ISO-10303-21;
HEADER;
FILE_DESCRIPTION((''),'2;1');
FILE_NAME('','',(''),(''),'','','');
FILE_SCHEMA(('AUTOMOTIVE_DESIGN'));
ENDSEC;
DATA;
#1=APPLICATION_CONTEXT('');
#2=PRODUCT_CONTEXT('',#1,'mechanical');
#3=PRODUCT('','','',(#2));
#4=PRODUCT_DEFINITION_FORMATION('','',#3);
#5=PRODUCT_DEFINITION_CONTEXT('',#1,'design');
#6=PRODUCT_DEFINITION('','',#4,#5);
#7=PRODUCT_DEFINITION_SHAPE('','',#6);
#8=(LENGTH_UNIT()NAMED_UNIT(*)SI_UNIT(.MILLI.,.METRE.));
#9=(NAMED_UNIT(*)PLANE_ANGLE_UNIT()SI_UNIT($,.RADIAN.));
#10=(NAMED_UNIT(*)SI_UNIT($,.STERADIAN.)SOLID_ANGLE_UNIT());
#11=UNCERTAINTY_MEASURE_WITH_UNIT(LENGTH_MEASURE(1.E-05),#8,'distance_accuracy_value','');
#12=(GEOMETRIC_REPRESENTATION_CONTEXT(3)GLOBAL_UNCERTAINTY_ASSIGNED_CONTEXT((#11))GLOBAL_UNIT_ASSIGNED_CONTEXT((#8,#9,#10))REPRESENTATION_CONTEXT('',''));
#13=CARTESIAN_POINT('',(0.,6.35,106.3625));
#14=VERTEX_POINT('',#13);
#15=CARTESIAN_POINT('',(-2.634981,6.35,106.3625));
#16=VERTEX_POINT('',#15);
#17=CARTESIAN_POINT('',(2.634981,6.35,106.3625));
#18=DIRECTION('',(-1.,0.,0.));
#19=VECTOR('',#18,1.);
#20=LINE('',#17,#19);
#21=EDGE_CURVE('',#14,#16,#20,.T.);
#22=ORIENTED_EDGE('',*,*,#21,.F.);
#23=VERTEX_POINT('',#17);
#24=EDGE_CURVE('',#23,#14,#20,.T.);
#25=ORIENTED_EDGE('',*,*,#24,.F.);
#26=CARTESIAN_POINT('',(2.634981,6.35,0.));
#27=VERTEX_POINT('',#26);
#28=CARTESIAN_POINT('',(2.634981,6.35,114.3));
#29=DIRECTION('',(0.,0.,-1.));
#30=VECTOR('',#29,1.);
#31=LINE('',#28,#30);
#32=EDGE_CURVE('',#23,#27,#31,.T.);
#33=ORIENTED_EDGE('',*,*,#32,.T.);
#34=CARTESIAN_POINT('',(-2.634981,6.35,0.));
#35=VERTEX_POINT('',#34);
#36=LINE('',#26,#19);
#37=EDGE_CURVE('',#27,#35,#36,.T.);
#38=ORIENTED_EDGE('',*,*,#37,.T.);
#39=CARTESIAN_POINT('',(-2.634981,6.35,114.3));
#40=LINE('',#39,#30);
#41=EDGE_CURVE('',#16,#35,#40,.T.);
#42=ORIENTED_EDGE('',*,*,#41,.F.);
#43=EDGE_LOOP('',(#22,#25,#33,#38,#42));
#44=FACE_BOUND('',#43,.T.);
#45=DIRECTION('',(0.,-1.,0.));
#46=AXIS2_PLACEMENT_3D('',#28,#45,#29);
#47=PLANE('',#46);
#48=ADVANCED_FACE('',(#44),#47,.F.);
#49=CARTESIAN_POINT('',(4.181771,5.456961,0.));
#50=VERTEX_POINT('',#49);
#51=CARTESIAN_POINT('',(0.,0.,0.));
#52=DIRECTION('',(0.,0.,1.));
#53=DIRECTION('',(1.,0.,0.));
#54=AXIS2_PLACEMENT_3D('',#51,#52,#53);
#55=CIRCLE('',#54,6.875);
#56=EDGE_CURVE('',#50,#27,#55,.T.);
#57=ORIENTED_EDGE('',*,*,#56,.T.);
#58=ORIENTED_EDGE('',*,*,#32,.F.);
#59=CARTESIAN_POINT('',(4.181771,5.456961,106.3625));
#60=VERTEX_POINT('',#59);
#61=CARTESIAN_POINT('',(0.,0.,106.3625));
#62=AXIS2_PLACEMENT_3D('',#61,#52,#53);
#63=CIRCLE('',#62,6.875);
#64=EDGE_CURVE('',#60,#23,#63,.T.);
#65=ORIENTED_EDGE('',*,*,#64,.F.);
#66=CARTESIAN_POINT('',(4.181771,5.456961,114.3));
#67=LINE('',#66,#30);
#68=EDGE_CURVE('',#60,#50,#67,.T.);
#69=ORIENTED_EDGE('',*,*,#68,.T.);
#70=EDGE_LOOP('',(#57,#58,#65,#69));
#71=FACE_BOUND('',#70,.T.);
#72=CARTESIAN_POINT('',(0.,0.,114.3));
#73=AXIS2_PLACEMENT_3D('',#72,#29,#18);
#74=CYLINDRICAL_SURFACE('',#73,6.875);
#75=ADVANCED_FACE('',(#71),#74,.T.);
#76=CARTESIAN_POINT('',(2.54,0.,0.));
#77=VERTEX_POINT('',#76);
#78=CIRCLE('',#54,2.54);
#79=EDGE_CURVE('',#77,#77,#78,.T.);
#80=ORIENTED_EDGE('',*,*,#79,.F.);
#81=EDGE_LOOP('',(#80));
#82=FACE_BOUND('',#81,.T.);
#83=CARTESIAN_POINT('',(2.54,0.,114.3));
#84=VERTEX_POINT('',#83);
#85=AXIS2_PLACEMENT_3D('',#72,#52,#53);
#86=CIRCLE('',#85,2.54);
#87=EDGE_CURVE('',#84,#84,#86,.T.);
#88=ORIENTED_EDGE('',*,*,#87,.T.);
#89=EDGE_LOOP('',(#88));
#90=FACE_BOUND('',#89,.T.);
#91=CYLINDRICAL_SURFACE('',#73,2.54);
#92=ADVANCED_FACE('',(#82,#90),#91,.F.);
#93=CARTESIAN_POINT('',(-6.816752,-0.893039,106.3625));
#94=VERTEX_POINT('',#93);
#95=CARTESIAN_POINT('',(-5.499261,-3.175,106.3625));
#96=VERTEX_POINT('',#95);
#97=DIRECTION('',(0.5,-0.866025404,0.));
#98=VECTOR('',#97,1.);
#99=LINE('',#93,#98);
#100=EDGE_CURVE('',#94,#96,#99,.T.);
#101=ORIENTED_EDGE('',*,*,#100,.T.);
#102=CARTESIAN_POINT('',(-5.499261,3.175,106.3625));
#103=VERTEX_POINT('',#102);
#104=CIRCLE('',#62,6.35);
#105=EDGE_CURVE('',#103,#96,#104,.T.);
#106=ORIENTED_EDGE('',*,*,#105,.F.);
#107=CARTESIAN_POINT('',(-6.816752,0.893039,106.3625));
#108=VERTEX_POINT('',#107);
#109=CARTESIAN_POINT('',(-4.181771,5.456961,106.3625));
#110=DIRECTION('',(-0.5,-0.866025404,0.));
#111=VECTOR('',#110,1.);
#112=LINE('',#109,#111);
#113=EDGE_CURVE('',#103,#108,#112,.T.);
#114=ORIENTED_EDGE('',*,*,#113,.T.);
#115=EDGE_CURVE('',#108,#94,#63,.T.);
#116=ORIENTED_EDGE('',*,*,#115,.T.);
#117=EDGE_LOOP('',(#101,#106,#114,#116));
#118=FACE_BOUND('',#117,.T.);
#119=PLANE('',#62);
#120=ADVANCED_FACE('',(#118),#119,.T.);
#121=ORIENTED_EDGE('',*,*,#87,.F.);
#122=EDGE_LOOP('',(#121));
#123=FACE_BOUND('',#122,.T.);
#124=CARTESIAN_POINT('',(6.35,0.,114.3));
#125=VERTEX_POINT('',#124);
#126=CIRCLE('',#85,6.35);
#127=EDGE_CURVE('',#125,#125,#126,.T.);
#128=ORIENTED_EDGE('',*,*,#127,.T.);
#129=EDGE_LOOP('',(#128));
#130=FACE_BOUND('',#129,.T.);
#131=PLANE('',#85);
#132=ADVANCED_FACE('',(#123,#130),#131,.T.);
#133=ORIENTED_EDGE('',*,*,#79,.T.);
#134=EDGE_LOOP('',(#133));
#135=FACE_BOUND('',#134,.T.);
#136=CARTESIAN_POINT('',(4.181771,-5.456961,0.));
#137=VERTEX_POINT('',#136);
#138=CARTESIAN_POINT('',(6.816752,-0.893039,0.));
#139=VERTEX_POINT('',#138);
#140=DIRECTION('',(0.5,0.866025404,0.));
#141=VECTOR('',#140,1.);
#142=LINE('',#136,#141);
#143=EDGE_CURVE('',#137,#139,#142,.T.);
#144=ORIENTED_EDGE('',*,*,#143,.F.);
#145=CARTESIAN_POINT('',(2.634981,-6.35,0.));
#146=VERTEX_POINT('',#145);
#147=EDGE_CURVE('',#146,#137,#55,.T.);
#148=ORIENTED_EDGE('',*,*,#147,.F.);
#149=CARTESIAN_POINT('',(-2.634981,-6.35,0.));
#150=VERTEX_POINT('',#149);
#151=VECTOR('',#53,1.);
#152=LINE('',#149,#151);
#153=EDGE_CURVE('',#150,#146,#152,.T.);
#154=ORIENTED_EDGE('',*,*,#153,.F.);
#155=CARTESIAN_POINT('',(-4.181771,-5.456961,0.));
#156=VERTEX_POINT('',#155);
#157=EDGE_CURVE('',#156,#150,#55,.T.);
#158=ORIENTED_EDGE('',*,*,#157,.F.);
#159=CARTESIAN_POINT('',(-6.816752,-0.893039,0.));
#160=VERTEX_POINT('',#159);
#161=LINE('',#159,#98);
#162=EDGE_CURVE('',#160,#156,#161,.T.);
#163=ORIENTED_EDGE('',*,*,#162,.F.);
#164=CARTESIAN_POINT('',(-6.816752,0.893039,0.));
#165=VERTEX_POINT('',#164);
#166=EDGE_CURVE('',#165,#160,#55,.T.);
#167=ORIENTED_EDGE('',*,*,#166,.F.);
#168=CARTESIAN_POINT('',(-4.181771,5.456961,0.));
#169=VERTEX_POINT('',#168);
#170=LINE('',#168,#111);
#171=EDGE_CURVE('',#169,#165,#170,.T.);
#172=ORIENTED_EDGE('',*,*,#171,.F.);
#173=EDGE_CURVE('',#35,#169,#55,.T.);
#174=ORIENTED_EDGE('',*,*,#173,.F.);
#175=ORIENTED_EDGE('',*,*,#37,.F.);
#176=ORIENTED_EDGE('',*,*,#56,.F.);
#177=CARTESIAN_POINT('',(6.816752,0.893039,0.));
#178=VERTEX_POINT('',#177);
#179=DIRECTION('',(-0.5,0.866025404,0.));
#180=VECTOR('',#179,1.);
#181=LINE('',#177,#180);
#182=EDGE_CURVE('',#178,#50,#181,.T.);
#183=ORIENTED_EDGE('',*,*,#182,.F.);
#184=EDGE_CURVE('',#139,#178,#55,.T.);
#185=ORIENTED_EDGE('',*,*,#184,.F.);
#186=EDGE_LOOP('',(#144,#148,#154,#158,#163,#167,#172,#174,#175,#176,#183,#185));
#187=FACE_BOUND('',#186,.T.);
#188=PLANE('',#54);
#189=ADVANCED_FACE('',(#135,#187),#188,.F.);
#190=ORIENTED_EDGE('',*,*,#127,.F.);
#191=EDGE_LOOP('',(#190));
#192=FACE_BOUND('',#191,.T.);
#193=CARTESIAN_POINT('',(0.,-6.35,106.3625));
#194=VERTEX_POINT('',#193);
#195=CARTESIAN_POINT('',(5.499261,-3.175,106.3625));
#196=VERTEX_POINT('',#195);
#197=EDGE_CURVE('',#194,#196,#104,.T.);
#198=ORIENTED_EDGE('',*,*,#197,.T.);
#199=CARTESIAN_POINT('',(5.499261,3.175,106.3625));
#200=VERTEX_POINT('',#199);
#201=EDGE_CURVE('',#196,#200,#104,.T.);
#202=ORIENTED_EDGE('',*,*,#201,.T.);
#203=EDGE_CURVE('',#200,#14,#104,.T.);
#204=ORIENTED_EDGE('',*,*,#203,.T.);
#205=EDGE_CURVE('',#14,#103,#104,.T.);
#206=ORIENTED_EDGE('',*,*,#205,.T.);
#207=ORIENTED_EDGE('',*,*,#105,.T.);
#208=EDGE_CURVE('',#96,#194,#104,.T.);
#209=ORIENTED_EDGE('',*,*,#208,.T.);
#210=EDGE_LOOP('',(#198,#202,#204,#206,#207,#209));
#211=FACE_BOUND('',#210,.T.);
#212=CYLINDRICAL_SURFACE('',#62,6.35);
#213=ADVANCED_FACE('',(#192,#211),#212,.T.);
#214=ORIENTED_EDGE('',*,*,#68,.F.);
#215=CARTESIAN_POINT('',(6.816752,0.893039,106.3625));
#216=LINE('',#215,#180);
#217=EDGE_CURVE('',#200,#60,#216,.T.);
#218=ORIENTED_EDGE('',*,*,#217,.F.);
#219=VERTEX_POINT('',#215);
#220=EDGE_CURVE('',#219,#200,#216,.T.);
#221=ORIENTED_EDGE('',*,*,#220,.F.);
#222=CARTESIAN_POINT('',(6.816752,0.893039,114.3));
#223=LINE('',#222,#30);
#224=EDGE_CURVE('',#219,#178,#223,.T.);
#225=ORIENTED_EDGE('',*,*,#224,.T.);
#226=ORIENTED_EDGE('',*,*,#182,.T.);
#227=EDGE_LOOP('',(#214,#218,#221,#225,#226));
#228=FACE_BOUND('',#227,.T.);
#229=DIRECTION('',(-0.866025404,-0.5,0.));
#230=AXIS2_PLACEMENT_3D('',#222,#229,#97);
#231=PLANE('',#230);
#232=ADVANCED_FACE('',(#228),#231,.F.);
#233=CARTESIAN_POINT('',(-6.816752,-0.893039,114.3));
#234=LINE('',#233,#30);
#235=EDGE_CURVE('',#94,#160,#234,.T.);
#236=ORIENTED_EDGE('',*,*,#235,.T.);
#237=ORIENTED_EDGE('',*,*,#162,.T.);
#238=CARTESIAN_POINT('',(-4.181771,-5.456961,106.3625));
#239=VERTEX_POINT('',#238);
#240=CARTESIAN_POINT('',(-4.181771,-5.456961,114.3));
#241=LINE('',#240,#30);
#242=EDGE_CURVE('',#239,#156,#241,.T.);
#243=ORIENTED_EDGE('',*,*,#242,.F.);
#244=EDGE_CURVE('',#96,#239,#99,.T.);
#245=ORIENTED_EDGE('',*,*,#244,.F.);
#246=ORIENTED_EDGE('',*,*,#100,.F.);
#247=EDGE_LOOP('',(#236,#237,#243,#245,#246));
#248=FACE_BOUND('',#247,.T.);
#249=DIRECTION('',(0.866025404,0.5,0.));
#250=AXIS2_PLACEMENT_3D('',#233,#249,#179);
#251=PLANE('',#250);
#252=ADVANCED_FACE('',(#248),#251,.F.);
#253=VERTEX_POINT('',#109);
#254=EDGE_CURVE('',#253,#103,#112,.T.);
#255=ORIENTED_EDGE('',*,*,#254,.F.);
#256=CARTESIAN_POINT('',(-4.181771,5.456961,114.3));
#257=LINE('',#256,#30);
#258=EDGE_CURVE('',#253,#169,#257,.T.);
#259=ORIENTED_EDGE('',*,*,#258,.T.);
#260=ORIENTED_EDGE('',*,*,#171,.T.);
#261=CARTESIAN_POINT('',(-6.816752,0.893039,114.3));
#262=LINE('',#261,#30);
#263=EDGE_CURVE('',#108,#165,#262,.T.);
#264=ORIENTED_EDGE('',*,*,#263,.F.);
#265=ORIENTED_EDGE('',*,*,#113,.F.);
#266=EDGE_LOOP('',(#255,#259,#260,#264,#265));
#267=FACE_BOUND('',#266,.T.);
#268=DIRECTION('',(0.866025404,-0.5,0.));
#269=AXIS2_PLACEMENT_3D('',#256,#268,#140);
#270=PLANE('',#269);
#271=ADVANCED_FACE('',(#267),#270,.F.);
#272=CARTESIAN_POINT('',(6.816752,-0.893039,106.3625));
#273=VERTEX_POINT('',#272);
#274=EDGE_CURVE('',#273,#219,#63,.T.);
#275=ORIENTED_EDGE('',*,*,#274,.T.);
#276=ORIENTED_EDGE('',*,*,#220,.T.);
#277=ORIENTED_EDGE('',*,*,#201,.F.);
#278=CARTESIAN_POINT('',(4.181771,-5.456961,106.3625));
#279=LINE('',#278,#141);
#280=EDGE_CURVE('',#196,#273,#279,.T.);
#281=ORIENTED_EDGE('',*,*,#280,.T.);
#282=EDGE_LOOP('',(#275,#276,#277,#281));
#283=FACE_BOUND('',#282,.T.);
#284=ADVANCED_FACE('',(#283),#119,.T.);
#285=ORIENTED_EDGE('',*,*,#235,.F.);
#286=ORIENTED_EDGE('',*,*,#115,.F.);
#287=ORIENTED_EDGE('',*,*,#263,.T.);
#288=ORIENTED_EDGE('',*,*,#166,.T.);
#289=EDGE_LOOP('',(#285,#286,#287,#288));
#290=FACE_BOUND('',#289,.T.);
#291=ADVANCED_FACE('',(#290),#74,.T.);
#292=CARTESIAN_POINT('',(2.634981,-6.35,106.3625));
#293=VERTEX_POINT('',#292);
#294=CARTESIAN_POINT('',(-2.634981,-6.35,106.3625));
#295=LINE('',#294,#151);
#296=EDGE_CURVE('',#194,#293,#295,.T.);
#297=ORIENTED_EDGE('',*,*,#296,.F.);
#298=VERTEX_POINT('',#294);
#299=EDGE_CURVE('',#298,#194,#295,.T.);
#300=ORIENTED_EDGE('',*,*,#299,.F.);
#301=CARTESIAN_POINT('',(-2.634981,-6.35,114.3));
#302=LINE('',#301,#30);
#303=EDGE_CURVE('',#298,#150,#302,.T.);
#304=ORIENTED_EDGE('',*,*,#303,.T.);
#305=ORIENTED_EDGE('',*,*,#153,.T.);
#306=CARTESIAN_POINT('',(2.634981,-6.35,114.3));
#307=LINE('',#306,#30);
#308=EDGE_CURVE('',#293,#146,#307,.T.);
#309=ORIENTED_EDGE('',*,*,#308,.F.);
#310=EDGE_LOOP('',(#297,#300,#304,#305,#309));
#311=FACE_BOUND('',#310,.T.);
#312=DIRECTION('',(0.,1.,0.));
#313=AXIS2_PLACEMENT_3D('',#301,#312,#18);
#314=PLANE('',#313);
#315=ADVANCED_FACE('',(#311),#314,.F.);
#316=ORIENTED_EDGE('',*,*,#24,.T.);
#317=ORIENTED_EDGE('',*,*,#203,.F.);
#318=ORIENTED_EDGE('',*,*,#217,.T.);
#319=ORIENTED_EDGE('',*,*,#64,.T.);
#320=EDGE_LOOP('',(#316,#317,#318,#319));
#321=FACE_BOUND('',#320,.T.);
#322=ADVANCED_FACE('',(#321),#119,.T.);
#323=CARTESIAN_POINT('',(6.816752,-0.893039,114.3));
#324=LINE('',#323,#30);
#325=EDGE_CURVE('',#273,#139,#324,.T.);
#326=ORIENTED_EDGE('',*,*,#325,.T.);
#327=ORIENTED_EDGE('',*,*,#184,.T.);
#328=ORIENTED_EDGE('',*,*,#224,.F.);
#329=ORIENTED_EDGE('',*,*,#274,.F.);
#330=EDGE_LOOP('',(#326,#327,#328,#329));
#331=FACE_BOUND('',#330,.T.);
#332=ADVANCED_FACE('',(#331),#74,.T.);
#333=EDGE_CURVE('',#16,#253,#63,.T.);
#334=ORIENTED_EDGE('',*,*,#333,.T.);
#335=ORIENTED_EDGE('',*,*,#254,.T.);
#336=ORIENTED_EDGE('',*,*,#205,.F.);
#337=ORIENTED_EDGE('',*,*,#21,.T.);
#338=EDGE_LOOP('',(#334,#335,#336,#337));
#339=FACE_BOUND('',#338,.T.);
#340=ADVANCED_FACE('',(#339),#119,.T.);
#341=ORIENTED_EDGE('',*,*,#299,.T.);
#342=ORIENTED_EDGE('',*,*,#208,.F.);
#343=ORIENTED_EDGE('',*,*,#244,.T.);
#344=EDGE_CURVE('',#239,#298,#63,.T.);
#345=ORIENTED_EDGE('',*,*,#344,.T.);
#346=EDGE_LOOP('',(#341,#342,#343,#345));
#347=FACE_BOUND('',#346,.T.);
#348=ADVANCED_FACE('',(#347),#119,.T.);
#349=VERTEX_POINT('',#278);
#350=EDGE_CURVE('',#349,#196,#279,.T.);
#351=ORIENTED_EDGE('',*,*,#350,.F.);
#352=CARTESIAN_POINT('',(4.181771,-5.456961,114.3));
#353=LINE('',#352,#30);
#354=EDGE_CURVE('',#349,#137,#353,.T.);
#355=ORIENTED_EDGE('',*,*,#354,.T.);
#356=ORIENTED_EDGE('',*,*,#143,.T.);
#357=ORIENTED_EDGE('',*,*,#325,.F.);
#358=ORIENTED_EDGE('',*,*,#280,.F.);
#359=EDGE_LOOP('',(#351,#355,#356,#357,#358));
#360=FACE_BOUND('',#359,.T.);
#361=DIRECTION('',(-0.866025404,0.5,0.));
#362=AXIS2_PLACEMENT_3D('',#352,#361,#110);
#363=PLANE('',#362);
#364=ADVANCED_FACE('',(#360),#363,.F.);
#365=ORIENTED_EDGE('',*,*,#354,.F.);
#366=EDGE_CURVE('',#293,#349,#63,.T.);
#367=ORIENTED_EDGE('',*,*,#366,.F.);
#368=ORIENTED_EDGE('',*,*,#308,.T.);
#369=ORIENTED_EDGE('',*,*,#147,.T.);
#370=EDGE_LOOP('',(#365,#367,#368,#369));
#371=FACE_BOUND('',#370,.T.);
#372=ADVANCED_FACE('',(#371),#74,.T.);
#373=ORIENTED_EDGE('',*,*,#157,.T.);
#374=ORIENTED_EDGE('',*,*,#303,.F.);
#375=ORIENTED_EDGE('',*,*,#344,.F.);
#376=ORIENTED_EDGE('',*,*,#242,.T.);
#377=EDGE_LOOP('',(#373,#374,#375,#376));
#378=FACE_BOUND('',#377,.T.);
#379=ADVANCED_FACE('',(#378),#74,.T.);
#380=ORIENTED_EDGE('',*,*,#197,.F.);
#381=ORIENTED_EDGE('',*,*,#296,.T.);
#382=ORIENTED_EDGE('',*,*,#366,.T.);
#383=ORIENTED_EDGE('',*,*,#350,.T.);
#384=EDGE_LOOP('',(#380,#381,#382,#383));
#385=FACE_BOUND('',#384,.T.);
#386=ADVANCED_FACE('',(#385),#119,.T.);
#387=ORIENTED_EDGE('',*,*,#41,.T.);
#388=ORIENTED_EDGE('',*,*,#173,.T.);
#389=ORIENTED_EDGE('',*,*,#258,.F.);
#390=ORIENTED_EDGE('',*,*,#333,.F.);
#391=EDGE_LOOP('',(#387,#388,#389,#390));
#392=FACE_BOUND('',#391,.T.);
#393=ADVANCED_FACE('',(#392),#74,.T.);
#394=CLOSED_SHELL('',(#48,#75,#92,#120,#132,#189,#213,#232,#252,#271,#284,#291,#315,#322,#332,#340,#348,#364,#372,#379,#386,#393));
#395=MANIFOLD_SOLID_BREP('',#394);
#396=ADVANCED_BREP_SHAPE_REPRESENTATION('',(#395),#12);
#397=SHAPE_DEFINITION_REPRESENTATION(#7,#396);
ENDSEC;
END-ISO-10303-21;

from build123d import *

# Parameters (mm, degrees)
SKETCH1_R           = 2.54
BOSS_EXTRUDE1_DEPTH = 114.3
SKETCH2_OUTSIDE_W   = 38.914
SKETCH2_OUTSIDE_H   = 37.864
SKETCH2_OUTSIDE_R   = 6.35
CUT_EXTRUDE1_DEPTH  = 7.9375


with BuildPart() as part:
    # Sketch1 → Boss-Extrude1 (new body)
    with BuildSketch(Plane.XY):
        with BuildLine():
            Line((4.181770802, -5.456960506), (6.816751826, -0.893039494))
            ThreePointArc((6.816751826, -0.893039494), (6.875, 0), (6.816751826, 0.893039494))
            Line((6.816751826, 0.893039494), (4.181770802, 5.456960506))
            ThreePointArc((4.181770802, 5.456960506), (3.4375, 5.953924651), (2.634981025, 6.35))
            Line((2.634981025, 6.35), (-2.634981025, 6.35))
            ThreePointArc((-2.634981025, 6.35), (-3.4375, 5.953924651), (-4.181770802, 5.456960506))
            Line((-4.181770802, 5.456960506), (-6.816751826, 0.893039494))
            ThreePointArc((-6.816751826, 0.893039494), (-6.875, 0), (-6.816751826, -0.893039494))
            Line((-6.816751826, -0.893039494), (-4.181770802, -5.456960506))
            ThreePointArc((-4.181770802, -5.456960506), (-3.4375, -5.953924651), (-2.634981025, -6.35))
            Line((-2.634981025, -6.35), (2.634981025, -6.35))
            ThreePointArc((2.634981025, -6.35), (3.4375, -5.953924651), (4.181770802, -5.456960506))
        make_face()
        Circle(SKETCH1_R, mode=Mode.SUBTRACT)
    extrude(amount=BOSS_EXTRUDE1_DEPTH)

    # Sketch2 outside → Cut-Extrude1 (cut)
    with BuildSketch(Plane.XY.offset(114.3)):
        Rectangle(SKETCH2_OUTSIDE_W, SKETCH2_OUTSIDE_H)
        Circle(SKETCH2_OUTSIDE_R, mode=Mode.SUBTRACT)
    extrude(amount=-CUT_EXTRUDE1_DEPTH, mode=Mode.SUBTRACT)


solid = part.part
